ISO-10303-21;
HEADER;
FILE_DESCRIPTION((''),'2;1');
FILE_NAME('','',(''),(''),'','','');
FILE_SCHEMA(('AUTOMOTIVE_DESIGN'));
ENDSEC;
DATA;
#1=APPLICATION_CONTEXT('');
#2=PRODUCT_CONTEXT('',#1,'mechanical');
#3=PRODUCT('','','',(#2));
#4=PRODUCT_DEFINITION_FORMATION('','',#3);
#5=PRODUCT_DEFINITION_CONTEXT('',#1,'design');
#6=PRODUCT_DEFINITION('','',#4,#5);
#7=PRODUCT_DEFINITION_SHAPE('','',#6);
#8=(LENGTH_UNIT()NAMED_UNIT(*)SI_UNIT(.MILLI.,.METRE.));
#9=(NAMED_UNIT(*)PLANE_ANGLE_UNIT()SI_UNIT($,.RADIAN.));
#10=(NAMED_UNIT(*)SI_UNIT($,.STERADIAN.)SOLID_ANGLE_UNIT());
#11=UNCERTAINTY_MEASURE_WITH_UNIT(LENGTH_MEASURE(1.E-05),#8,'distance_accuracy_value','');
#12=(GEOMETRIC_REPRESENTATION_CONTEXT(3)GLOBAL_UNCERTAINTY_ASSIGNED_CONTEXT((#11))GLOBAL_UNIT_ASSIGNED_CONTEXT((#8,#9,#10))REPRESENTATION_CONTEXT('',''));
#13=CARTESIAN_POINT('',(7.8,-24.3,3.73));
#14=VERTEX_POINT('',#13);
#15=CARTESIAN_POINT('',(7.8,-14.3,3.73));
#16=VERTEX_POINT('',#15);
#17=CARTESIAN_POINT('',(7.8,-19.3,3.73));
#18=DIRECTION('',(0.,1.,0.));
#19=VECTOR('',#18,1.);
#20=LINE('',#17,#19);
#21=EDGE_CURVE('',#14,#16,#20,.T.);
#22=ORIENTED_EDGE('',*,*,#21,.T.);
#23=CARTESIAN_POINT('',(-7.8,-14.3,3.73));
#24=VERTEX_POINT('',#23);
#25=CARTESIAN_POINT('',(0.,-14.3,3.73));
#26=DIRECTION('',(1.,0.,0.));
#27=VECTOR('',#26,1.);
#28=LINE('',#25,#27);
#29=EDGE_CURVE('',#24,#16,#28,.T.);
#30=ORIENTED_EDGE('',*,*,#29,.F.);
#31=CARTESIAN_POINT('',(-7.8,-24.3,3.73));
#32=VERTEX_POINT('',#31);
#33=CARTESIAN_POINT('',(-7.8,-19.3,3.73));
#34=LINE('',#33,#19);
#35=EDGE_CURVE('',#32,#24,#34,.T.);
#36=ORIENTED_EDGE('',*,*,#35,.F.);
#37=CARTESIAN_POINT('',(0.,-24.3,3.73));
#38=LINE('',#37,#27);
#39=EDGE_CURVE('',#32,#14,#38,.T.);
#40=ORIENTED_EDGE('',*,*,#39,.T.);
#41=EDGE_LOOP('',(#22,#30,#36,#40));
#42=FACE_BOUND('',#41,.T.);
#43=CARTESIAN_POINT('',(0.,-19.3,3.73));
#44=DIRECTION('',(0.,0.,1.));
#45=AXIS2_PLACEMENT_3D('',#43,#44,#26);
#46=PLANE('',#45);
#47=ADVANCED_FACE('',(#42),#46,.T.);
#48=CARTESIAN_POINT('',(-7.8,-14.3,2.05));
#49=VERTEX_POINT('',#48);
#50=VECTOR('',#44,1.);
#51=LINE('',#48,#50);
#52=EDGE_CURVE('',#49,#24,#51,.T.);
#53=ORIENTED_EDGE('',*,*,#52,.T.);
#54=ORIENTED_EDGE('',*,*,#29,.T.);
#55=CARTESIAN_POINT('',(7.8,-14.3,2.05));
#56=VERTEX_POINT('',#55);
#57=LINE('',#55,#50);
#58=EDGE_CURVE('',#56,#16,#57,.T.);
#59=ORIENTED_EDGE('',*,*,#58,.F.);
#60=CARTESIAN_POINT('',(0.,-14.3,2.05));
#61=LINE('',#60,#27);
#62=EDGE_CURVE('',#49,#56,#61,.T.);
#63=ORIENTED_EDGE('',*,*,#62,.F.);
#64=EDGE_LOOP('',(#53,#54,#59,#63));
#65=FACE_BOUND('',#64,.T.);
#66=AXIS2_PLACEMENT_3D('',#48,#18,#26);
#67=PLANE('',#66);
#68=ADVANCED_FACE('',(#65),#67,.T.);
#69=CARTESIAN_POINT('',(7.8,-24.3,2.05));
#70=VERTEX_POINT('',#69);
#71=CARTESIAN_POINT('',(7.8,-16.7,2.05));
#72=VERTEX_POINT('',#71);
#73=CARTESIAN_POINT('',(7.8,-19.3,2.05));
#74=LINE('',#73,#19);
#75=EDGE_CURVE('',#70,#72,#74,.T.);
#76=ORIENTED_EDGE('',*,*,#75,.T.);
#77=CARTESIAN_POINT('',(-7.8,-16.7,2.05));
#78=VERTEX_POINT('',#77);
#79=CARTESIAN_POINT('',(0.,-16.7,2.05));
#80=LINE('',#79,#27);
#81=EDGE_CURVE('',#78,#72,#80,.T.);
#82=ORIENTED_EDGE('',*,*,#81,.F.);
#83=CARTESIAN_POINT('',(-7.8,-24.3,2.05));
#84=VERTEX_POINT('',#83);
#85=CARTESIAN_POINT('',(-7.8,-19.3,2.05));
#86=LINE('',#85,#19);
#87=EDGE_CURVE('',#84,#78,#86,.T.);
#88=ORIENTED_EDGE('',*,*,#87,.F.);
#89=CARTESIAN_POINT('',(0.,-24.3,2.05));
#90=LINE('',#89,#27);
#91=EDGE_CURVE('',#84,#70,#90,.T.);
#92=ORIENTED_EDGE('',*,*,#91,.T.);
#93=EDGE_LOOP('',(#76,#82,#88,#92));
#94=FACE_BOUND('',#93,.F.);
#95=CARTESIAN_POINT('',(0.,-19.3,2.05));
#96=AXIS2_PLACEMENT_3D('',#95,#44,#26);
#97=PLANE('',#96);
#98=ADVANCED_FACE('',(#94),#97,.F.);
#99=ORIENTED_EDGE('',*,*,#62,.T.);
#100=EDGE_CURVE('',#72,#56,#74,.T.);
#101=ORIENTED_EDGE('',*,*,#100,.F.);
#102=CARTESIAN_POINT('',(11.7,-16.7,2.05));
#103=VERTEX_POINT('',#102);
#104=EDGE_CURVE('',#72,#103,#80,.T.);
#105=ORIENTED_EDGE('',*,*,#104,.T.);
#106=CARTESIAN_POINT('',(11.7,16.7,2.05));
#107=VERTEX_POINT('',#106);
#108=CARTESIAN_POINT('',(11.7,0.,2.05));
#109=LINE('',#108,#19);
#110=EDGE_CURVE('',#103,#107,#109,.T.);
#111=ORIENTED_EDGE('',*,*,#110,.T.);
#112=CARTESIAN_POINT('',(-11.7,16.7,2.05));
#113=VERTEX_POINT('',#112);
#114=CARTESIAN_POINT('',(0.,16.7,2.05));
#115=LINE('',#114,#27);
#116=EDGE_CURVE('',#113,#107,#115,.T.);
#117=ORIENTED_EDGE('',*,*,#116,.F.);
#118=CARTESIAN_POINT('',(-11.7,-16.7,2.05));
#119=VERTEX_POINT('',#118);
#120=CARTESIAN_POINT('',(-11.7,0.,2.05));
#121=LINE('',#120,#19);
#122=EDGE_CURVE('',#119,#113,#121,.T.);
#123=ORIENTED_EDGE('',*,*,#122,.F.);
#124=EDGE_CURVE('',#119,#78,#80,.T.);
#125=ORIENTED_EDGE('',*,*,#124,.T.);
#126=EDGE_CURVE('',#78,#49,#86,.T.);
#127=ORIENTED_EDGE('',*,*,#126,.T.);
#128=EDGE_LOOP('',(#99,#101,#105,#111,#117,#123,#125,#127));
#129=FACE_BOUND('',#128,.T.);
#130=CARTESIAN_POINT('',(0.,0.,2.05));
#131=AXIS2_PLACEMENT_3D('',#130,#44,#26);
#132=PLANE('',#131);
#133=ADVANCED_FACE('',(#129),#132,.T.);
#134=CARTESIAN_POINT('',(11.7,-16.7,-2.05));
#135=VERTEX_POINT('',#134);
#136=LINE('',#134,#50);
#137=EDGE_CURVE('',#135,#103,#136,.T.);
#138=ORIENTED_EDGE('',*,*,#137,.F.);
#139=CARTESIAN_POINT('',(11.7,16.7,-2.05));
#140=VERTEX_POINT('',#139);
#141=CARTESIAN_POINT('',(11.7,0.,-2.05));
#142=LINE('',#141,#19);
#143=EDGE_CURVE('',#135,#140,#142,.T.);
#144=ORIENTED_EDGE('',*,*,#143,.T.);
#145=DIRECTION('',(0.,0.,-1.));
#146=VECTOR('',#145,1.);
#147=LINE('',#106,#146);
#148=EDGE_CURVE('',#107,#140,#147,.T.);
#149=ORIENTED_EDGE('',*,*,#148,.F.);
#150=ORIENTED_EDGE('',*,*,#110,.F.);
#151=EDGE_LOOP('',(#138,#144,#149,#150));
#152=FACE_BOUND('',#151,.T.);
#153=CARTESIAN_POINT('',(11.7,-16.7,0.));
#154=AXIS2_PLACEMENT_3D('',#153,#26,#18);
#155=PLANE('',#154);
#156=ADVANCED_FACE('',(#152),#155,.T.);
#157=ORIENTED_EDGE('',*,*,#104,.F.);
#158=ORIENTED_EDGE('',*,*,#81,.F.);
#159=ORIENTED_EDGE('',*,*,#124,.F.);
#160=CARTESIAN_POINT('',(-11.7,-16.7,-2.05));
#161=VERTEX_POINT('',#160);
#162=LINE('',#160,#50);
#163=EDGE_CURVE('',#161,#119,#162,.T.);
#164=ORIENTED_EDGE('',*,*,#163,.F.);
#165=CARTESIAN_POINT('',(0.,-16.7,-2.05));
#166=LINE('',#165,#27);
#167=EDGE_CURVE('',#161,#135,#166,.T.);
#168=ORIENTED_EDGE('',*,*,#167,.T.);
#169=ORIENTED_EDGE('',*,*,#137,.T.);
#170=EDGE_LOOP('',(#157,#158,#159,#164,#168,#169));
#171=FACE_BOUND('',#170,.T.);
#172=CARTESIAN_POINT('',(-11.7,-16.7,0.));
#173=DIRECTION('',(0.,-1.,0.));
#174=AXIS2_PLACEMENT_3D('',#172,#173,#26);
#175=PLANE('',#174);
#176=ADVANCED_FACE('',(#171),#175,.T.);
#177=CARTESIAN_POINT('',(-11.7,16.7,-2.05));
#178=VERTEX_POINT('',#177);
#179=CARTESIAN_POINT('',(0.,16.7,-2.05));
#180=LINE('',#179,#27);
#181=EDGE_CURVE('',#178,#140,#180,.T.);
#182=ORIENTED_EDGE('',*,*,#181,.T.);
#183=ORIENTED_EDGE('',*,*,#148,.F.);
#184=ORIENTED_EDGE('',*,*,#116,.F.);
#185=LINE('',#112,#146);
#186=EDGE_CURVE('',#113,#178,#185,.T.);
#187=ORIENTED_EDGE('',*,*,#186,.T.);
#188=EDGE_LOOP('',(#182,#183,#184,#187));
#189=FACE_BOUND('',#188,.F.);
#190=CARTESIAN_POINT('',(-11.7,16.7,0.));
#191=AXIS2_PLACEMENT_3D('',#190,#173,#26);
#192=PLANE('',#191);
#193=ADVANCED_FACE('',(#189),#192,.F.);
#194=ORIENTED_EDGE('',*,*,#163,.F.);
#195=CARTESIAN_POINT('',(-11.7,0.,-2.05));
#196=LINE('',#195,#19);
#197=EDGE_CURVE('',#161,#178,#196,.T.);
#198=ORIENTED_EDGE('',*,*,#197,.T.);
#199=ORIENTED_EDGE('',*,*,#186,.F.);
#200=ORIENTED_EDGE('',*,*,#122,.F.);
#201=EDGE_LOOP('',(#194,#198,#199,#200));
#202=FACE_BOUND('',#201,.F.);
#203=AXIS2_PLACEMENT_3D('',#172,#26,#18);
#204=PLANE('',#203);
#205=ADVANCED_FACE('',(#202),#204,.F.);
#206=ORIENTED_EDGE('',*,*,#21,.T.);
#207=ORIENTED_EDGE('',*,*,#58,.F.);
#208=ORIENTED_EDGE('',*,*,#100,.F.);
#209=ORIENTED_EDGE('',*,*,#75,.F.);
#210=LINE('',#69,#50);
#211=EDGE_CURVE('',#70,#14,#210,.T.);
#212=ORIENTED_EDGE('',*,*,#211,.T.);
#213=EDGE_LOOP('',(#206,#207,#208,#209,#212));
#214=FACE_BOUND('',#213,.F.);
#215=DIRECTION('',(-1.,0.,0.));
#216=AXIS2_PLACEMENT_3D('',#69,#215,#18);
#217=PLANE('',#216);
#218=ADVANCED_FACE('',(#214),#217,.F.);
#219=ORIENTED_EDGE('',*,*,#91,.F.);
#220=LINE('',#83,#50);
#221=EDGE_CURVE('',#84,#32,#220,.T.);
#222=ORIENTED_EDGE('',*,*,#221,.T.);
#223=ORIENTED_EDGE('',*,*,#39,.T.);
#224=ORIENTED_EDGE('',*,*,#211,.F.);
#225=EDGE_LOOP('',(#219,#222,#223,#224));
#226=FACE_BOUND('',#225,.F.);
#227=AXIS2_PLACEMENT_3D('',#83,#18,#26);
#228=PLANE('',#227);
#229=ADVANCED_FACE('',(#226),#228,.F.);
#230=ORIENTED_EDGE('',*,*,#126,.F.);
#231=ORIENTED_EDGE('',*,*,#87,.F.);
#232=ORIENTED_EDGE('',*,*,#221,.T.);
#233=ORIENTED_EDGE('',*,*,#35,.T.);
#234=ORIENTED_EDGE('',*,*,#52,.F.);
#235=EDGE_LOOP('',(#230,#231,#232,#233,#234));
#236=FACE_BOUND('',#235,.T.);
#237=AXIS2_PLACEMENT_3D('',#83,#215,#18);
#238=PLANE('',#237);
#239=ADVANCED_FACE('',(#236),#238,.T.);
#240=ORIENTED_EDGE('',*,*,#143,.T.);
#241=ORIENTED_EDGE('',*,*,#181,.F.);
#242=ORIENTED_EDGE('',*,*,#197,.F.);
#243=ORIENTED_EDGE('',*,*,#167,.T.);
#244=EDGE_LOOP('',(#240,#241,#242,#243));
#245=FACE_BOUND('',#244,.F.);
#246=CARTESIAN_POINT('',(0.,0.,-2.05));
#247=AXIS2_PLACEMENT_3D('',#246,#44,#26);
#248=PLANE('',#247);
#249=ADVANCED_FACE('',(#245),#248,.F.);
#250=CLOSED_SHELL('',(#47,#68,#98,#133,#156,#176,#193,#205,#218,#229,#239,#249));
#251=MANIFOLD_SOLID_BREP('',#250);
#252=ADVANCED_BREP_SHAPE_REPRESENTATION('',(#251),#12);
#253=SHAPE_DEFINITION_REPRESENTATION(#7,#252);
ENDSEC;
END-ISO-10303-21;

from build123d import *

# Parameters (mm, degrees)
SKETCH_W     = 23.4
SKETCH_H     = 33.4
PAD_DEPTH    = 2.05
SKETCH001_W  = 15.6
SKETCH001_H  = 10
PAD001_DEPTH = 1.68


with BuildPart() as part:
    # Sketch → Pad (new body, symmetric)
    with BuildSketch(Plane.XY):
        Rectangle(SKETCH_W, SKETCH_H)
    extrude(amount=PAD_DEPTH, both=True)

    # Sketch001 → Pad001 (new body)
    with BuildSketch(Plane.XY.offset(2.05)):
        with Locations((0, -19.3)):
            Rectangle(SKETCH001_W, SKETCH001_H)
    extrude(amount=PAD001_DEPTH)


solid = part.part
